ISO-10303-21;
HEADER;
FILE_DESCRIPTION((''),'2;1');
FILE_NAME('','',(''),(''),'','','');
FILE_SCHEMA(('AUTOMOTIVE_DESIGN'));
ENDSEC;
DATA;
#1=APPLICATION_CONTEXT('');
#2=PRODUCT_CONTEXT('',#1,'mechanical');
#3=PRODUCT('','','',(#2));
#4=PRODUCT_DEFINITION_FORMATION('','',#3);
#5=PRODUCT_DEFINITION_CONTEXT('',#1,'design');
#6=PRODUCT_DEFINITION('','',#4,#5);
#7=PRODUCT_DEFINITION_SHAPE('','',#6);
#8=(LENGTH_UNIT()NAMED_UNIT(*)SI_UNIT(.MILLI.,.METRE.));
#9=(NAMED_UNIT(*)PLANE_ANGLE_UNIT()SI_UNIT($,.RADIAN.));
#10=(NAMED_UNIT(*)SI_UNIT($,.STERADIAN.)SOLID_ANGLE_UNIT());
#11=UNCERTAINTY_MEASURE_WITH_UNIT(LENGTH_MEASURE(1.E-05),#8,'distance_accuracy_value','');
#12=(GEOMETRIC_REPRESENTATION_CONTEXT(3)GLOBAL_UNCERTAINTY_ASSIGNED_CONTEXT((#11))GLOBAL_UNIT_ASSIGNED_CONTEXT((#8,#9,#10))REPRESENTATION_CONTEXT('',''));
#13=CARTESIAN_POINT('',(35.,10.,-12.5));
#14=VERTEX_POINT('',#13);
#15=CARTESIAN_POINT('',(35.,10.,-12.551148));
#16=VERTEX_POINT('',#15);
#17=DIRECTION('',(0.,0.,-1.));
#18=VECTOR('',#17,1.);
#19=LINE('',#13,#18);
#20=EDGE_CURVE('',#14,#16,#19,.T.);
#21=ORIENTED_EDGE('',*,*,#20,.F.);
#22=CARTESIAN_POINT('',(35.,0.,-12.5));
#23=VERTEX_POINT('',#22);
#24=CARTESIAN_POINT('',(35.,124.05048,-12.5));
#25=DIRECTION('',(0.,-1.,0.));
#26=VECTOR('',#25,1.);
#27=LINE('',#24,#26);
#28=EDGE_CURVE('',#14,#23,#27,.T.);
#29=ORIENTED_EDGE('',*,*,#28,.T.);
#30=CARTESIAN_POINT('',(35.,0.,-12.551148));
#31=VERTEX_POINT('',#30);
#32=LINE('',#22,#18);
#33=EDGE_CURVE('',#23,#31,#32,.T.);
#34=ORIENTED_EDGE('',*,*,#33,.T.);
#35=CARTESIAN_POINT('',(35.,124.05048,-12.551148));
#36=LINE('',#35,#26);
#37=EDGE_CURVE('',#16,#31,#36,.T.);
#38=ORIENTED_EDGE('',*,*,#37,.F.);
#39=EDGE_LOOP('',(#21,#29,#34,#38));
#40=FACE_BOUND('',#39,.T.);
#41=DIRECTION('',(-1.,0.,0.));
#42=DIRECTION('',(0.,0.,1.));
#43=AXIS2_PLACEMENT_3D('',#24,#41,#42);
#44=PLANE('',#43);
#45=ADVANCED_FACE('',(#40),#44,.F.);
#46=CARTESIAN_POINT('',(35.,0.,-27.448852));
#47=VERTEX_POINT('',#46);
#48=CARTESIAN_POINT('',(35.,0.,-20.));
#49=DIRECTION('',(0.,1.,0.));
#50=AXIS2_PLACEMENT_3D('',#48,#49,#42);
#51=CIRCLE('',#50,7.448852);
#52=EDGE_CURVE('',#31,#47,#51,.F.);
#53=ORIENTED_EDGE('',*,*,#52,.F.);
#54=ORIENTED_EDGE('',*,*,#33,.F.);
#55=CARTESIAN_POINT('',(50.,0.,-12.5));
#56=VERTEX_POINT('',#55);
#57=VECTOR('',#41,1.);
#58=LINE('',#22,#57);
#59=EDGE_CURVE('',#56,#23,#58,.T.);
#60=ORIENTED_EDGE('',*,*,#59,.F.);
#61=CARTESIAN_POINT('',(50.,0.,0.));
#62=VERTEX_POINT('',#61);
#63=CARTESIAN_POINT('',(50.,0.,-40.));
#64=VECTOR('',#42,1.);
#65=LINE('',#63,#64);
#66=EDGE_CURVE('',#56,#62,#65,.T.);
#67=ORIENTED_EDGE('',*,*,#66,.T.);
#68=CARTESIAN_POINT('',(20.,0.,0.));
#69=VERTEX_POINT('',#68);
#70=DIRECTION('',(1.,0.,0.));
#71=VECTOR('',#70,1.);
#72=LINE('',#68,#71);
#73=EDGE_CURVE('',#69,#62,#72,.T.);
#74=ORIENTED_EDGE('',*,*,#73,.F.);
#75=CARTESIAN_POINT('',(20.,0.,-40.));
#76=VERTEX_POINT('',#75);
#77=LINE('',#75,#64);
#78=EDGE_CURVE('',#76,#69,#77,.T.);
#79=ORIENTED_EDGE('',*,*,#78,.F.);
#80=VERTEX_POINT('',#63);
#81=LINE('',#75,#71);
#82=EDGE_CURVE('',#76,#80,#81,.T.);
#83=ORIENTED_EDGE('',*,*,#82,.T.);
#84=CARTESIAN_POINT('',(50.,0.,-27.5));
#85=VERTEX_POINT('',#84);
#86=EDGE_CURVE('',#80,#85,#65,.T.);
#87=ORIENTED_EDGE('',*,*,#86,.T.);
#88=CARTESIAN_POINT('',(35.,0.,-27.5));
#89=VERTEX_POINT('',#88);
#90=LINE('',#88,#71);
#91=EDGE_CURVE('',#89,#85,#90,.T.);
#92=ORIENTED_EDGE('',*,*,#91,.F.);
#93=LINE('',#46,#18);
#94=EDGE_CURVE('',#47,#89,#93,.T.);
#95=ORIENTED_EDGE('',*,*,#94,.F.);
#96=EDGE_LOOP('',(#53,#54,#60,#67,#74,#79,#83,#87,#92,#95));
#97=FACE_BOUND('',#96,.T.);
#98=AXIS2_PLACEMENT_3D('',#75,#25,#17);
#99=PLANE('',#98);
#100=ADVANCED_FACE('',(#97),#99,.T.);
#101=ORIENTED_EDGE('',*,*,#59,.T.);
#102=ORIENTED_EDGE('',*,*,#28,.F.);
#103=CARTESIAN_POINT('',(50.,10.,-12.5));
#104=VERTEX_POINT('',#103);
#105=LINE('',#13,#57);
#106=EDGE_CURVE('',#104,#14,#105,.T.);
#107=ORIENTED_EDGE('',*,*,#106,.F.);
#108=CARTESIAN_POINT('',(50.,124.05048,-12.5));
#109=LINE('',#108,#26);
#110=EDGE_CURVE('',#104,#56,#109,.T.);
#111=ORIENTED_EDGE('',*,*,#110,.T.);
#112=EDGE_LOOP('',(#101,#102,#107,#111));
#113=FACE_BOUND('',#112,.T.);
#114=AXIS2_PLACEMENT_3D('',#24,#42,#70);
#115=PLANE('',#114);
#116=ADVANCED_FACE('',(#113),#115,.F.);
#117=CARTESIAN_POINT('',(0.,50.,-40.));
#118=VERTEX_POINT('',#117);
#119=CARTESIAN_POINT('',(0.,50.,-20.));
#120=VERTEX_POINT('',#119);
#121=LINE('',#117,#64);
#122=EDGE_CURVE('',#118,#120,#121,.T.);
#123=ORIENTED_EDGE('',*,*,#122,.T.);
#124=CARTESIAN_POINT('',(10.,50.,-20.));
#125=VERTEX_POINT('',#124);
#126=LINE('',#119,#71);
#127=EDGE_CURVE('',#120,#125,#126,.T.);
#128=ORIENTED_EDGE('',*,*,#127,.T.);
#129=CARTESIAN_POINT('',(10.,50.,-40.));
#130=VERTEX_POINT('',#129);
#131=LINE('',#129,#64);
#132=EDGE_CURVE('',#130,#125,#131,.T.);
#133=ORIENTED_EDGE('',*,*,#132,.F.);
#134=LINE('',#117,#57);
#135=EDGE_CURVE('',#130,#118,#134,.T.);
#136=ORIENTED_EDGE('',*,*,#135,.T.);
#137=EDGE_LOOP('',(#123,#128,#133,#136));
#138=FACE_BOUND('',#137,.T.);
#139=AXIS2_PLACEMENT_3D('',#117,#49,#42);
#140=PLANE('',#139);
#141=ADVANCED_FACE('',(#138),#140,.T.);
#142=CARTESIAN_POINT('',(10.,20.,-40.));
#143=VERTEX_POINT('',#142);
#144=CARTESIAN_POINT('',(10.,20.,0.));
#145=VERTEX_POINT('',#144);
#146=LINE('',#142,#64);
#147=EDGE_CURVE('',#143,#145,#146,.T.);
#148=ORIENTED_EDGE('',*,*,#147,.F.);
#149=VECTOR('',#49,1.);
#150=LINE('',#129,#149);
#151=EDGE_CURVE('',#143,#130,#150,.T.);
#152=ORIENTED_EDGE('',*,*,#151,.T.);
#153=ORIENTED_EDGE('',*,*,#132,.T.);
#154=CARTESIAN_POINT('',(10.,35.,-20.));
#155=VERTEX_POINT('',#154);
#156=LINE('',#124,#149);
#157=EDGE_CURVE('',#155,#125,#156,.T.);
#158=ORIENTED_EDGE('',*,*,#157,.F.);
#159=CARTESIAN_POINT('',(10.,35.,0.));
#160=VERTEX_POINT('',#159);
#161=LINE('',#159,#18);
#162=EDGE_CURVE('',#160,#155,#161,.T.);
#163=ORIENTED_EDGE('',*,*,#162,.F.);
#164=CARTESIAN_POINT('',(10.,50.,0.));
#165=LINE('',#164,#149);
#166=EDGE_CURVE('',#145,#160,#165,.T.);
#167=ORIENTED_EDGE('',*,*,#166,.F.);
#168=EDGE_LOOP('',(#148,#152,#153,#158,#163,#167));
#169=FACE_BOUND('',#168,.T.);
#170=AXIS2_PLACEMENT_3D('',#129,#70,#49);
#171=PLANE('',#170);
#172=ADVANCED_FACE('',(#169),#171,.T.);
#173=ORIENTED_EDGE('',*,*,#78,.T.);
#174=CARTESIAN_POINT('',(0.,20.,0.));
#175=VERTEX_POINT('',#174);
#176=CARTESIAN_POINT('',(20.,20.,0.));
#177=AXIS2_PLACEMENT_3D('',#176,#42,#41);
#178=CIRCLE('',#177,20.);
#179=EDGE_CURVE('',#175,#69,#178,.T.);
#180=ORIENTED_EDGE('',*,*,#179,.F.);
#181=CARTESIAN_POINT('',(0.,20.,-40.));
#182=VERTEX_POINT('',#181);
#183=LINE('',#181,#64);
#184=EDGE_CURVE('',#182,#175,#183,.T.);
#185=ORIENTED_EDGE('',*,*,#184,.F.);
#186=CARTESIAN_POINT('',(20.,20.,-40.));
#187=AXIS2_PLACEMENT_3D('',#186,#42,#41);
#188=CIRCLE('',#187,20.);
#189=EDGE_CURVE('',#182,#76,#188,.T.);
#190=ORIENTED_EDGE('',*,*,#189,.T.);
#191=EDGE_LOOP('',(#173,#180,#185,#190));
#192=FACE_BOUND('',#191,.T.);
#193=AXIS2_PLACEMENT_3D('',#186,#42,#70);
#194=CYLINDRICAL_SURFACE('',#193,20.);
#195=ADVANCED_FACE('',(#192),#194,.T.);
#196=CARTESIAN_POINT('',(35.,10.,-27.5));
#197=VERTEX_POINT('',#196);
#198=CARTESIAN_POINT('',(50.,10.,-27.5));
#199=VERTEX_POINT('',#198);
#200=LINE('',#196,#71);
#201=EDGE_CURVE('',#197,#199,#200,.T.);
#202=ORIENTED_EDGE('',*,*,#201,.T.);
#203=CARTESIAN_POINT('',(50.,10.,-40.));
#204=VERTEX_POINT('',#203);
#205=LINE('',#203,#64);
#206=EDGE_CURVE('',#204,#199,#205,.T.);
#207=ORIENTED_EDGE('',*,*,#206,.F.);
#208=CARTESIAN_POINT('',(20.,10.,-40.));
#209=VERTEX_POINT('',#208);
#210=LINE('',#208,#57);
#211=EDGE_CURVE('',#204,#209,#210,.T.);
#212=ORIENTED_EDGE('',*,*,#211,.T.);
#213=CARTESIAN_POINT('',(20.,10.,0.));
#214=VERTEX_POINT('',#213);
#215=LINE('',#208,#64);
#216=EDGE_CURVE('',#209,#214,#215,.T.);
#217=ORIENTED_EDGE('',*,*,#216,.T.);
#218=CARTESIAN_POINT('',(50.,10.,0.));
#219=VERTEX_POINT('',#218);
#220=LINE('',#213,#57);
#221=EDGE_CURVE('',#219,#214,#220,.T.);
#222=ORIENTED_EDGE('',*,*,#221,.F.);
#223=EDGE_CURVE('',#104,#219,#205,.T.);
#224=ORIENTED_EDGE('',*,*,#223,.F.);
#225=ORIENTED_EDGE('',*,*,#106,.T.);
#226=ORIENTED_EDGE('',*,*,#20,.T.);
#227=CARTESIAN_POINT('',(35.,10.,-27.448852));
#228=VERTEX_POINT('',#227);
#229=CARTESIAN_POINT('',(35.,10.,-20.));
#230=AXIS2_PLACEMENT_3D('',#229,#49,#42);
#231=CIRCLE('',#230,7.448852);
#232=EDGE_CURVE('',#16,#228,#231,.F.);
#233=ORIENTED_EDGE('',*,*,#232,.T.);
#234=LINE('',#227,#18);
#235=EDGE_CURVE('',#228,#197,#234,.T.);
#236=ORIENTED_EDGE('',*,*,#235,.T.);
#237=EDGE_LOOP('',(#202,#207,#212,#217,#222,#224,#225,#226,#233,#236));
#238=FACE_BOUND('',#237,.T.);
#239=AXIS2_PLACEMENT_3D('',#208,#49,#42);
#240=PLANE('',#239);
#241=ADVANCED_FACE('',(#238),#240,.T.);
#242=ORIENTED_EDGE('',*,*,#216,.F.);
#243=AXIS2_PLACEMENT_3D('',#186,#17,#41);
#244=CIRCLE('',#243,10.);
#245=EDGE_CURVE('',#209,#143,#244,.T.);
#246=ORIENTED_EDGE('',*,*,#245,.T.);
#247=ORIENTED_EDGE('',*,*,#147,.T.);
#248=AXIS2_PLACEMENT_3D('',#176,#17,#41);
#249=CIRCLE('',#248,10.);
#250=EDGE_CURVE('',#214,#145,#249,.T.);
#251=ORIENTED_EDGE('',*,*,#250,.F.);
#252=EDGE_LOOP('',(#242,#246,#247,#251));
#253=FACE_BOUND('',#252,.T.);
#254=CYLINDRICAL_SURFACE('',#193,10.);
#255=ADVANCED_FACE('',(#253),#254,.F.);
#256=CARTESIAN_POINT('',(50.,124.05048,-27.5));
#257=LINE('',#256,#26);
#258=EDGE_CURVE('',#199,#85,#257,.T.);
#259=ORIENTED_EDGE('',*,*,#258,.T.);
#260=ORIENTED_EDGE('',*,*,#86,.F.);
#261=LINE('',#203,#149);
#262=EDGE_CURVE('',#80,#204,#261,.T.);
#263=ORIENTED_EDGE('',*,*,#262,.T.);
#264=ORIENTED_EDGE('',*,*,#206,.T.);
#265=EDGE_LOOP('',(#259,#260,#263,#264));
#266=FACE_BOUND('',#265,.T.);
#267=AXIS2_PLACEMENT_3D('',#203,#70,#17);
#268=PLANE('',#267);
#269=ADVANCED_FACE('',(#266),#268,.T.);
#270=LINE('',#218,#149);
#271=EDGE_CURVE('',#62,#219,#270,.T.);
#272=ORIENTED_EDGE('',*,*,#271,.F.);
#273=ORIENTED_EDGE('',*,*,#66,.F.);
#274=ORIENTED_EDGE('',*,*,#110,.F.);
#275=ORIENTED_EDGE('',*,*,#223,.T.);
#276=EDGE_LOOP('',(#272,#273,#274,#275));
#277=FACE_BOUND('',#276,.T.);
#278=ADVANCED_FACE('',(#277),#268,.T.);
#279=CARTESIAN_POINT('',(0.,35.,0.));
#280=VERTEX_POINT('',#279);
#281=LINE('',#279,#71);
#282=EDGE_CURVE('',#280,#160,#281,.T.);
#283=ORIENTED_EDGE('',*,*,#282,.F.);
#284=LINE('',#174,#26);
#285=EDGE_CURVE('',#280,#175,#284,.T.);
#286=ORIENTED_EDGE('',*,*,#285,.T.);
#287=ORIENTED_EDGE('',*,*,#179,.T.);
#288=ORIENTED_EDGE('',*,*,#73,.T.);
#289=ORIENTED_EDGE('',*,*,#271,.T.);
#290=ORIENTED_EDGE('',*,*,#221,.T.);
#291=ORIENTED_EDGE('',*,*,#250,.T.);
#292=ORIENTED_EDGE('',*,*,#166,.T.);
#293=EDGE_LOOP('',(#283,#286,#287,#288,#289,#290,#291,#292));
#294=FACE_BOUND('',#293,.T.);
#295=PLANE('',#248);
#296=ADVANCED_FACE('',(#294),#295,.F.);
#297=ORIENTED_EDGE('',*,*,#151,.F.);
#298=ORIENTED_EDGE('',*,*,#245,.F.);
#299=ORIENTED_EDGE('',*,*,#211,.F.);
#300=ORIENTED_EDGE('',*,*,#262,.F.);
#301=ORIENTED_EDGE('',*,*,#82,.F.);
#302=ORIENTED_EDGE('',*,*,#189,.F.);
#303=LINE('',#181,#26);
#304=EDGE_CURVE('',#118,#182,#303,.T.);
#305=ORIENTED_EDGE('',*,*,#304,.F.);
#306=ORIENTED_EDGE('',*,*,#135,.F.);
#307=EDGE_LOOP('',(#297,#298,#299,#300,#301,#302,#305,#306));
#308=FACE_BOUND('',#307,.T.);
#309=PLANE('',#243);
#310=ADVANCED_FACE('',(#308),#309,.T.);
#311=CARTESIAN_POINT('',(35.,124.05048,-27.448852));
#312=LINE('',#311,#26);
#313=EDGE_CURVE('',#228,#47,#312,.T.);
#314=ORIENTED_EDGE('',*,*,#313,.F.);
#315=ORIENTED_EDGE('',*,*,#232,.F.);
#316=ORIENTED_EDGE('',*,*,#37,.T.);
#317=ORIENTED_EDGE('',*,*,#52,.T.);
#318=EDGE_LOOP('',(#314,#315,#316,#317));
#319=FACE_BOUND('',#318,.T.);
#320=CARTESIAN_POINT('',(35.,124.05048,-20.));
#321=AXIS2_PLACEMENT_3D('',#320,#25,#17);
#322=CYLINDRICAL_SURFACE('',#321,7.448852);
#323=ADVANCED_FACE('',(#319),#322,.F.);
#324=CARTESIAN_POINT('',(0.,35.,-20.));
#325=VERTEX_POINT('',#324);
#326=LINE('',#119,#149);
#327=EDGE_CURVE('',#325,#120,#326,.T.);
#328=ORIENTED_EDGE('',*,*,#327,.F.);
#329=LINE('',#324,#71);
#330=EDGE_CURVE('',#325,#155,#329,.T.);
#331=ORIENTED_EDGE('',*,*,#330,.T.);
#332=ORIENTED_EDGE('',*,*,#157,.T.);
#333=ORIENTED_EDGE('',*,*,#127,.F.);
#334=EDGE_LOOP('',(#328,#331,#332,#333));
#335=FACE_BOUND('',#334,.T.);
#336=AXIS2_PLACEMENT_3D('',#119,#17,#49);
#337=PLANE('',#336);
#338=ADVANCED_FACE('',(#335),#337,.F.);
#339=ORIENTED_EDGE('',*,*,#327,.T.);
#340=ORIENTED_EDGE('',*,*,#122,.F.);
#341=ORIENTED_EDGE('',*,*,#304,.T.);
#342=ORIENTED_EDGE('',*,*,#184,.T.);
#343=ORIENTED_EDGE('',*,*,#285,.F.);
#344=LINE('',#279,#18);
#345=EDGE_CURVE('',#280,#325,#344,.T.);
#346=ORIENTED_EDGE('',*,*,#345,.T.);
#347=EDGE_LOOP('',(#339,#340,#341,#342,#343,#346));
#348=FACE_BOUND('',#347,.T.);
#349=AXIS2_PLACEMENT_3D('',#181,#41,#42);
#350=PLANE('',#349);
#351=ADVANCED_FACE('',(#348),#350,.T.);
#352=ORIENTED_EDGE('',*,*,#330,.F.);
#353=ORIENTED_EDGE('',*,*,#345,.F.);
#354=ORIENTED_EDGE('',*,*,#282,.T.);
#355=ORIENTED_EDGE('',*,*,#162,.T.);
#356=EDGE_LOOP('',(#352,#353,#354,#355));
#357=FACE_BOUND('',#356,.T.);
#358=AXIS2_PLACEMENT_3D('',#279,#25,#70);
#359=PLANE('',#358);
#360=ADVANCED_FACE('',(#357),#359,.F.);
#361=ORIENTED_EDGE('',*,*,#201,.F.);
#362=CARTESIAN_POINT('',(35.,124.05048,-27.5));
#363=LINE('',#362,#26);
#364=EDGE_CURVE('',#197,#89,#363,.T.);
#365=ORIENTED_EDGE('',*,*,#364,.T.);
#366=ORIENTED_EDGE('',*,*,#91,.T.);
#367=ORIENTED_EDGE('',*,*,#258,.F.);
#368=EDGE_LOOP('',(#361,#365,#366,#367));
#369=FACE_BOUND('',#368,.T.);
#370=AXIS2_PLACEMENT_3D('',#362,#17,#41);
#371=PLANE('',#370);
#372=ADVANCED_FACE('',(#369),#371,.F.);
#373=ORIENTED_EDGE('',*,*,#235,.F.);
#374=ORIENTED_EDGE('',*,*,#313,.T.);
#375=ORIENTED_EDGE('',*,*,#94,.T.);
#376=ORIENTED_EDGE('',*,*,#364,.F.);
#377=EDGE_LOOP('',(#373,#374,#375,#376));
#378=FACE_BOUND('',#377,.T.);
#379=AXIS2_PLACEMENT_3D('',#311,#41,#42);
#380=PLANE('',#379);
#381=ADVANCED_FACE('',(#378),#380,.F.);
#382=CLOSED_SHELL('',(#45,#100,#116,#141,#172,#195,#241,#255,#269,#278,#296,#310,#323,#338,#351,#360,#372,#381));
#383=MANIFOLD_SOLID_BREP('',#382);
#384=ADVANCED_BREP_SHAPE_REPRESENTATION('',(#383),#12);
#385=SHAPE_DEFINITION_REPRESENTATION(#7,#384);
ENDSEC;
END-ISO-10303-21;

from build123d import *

# Parameters (mm, degrees)
BOSS_EXTRUDE1_DEPTH     = 40
SKETCH3_W               = 20
SKETCH3_H               = 15
CUT_EXTRUDE1_DEPTH      = 10
CUT_EXTRUDE5_DEPTH      = 41
CUT_EXTRUDE5_DEPTH_BACK = 10


with BuildPart() as part:
    # Sketch1 → Boss-Extrude1 (new body)
    with BuildSketch(Plane.XY):
        with BuildLine():
            Line((20, 0), (50, 0))
            Line((50, 0), (50, 10))
            Line((50, 10), (20, 10))
            ThreePointArc((20, 10), (12.928932188, 12.928932188), (10, 20))
            Line((10, 20), (10, 50))
            Line((10, 50), (0, 50))
            Line((0, 50), (0, 20))
            ThreePointArc((0, 20), (5.857864376, 5.857864376), (20, 0))
        make_face()
    extrude(amount=-BOSS_EXTRUDE1_DEPTH)

    # Sketch3 → Cut-Extrude1 (cut)
    with BuildSketch(Plane(origin=(10, 0, 0), x_dir=(0, 0, -1), z_dir=(1, 0, 0))):
        with Locations((10, 42.5)):
            Rectangle(SKETCH3_W, SKETCH3_H)
    extrude(amount=-CUT_EXTRUDE1_DEPTH, mode=Mode.SUBTRACT)

    # Sketch4 → Cut-Extrude5 (cut, two sides)
    with BuildSketch(Plane(origin=(0, 10, 0), x_dir=(1, 0, 0), z_dir=(0, 1, 0))) as cut_extrude5_sk:
        with BuildLine():
            Line((174.127122105, 27.5), (50, 27.5))
            Line((50, 27.5), (35, 27.5))
            Line((35, 27.5), (35, 27.448852076))
            ThreePointArc((35, 27.448852076), (27.551147924, 20), (35, 12.551147924))
            Line((35, 12.551147924), (35, 12.5))
            Line((35, 12.5), (50, 12.5))
            Line((50, 12.5), (174.127122105, 12.5))
            Line((174.127122105, 12.5), (422.381366315, 12.5))
            Line((422.381366315, 12.5), (422.381366315, 27.5))
            Line((422.381366315, 27.5), (174.127122105, 27.5))
        make_face()
    extrude(amount=CUT_EXTRUDE5_DEPTH, mode=Mode.SUBTRACT)
    extrude(cut_extrude5_sk.sketch, amount=-CUT_EXTRUDE5_DEPTH_BACK, mode=Mode.SUBTRACT)


solid = part.part
